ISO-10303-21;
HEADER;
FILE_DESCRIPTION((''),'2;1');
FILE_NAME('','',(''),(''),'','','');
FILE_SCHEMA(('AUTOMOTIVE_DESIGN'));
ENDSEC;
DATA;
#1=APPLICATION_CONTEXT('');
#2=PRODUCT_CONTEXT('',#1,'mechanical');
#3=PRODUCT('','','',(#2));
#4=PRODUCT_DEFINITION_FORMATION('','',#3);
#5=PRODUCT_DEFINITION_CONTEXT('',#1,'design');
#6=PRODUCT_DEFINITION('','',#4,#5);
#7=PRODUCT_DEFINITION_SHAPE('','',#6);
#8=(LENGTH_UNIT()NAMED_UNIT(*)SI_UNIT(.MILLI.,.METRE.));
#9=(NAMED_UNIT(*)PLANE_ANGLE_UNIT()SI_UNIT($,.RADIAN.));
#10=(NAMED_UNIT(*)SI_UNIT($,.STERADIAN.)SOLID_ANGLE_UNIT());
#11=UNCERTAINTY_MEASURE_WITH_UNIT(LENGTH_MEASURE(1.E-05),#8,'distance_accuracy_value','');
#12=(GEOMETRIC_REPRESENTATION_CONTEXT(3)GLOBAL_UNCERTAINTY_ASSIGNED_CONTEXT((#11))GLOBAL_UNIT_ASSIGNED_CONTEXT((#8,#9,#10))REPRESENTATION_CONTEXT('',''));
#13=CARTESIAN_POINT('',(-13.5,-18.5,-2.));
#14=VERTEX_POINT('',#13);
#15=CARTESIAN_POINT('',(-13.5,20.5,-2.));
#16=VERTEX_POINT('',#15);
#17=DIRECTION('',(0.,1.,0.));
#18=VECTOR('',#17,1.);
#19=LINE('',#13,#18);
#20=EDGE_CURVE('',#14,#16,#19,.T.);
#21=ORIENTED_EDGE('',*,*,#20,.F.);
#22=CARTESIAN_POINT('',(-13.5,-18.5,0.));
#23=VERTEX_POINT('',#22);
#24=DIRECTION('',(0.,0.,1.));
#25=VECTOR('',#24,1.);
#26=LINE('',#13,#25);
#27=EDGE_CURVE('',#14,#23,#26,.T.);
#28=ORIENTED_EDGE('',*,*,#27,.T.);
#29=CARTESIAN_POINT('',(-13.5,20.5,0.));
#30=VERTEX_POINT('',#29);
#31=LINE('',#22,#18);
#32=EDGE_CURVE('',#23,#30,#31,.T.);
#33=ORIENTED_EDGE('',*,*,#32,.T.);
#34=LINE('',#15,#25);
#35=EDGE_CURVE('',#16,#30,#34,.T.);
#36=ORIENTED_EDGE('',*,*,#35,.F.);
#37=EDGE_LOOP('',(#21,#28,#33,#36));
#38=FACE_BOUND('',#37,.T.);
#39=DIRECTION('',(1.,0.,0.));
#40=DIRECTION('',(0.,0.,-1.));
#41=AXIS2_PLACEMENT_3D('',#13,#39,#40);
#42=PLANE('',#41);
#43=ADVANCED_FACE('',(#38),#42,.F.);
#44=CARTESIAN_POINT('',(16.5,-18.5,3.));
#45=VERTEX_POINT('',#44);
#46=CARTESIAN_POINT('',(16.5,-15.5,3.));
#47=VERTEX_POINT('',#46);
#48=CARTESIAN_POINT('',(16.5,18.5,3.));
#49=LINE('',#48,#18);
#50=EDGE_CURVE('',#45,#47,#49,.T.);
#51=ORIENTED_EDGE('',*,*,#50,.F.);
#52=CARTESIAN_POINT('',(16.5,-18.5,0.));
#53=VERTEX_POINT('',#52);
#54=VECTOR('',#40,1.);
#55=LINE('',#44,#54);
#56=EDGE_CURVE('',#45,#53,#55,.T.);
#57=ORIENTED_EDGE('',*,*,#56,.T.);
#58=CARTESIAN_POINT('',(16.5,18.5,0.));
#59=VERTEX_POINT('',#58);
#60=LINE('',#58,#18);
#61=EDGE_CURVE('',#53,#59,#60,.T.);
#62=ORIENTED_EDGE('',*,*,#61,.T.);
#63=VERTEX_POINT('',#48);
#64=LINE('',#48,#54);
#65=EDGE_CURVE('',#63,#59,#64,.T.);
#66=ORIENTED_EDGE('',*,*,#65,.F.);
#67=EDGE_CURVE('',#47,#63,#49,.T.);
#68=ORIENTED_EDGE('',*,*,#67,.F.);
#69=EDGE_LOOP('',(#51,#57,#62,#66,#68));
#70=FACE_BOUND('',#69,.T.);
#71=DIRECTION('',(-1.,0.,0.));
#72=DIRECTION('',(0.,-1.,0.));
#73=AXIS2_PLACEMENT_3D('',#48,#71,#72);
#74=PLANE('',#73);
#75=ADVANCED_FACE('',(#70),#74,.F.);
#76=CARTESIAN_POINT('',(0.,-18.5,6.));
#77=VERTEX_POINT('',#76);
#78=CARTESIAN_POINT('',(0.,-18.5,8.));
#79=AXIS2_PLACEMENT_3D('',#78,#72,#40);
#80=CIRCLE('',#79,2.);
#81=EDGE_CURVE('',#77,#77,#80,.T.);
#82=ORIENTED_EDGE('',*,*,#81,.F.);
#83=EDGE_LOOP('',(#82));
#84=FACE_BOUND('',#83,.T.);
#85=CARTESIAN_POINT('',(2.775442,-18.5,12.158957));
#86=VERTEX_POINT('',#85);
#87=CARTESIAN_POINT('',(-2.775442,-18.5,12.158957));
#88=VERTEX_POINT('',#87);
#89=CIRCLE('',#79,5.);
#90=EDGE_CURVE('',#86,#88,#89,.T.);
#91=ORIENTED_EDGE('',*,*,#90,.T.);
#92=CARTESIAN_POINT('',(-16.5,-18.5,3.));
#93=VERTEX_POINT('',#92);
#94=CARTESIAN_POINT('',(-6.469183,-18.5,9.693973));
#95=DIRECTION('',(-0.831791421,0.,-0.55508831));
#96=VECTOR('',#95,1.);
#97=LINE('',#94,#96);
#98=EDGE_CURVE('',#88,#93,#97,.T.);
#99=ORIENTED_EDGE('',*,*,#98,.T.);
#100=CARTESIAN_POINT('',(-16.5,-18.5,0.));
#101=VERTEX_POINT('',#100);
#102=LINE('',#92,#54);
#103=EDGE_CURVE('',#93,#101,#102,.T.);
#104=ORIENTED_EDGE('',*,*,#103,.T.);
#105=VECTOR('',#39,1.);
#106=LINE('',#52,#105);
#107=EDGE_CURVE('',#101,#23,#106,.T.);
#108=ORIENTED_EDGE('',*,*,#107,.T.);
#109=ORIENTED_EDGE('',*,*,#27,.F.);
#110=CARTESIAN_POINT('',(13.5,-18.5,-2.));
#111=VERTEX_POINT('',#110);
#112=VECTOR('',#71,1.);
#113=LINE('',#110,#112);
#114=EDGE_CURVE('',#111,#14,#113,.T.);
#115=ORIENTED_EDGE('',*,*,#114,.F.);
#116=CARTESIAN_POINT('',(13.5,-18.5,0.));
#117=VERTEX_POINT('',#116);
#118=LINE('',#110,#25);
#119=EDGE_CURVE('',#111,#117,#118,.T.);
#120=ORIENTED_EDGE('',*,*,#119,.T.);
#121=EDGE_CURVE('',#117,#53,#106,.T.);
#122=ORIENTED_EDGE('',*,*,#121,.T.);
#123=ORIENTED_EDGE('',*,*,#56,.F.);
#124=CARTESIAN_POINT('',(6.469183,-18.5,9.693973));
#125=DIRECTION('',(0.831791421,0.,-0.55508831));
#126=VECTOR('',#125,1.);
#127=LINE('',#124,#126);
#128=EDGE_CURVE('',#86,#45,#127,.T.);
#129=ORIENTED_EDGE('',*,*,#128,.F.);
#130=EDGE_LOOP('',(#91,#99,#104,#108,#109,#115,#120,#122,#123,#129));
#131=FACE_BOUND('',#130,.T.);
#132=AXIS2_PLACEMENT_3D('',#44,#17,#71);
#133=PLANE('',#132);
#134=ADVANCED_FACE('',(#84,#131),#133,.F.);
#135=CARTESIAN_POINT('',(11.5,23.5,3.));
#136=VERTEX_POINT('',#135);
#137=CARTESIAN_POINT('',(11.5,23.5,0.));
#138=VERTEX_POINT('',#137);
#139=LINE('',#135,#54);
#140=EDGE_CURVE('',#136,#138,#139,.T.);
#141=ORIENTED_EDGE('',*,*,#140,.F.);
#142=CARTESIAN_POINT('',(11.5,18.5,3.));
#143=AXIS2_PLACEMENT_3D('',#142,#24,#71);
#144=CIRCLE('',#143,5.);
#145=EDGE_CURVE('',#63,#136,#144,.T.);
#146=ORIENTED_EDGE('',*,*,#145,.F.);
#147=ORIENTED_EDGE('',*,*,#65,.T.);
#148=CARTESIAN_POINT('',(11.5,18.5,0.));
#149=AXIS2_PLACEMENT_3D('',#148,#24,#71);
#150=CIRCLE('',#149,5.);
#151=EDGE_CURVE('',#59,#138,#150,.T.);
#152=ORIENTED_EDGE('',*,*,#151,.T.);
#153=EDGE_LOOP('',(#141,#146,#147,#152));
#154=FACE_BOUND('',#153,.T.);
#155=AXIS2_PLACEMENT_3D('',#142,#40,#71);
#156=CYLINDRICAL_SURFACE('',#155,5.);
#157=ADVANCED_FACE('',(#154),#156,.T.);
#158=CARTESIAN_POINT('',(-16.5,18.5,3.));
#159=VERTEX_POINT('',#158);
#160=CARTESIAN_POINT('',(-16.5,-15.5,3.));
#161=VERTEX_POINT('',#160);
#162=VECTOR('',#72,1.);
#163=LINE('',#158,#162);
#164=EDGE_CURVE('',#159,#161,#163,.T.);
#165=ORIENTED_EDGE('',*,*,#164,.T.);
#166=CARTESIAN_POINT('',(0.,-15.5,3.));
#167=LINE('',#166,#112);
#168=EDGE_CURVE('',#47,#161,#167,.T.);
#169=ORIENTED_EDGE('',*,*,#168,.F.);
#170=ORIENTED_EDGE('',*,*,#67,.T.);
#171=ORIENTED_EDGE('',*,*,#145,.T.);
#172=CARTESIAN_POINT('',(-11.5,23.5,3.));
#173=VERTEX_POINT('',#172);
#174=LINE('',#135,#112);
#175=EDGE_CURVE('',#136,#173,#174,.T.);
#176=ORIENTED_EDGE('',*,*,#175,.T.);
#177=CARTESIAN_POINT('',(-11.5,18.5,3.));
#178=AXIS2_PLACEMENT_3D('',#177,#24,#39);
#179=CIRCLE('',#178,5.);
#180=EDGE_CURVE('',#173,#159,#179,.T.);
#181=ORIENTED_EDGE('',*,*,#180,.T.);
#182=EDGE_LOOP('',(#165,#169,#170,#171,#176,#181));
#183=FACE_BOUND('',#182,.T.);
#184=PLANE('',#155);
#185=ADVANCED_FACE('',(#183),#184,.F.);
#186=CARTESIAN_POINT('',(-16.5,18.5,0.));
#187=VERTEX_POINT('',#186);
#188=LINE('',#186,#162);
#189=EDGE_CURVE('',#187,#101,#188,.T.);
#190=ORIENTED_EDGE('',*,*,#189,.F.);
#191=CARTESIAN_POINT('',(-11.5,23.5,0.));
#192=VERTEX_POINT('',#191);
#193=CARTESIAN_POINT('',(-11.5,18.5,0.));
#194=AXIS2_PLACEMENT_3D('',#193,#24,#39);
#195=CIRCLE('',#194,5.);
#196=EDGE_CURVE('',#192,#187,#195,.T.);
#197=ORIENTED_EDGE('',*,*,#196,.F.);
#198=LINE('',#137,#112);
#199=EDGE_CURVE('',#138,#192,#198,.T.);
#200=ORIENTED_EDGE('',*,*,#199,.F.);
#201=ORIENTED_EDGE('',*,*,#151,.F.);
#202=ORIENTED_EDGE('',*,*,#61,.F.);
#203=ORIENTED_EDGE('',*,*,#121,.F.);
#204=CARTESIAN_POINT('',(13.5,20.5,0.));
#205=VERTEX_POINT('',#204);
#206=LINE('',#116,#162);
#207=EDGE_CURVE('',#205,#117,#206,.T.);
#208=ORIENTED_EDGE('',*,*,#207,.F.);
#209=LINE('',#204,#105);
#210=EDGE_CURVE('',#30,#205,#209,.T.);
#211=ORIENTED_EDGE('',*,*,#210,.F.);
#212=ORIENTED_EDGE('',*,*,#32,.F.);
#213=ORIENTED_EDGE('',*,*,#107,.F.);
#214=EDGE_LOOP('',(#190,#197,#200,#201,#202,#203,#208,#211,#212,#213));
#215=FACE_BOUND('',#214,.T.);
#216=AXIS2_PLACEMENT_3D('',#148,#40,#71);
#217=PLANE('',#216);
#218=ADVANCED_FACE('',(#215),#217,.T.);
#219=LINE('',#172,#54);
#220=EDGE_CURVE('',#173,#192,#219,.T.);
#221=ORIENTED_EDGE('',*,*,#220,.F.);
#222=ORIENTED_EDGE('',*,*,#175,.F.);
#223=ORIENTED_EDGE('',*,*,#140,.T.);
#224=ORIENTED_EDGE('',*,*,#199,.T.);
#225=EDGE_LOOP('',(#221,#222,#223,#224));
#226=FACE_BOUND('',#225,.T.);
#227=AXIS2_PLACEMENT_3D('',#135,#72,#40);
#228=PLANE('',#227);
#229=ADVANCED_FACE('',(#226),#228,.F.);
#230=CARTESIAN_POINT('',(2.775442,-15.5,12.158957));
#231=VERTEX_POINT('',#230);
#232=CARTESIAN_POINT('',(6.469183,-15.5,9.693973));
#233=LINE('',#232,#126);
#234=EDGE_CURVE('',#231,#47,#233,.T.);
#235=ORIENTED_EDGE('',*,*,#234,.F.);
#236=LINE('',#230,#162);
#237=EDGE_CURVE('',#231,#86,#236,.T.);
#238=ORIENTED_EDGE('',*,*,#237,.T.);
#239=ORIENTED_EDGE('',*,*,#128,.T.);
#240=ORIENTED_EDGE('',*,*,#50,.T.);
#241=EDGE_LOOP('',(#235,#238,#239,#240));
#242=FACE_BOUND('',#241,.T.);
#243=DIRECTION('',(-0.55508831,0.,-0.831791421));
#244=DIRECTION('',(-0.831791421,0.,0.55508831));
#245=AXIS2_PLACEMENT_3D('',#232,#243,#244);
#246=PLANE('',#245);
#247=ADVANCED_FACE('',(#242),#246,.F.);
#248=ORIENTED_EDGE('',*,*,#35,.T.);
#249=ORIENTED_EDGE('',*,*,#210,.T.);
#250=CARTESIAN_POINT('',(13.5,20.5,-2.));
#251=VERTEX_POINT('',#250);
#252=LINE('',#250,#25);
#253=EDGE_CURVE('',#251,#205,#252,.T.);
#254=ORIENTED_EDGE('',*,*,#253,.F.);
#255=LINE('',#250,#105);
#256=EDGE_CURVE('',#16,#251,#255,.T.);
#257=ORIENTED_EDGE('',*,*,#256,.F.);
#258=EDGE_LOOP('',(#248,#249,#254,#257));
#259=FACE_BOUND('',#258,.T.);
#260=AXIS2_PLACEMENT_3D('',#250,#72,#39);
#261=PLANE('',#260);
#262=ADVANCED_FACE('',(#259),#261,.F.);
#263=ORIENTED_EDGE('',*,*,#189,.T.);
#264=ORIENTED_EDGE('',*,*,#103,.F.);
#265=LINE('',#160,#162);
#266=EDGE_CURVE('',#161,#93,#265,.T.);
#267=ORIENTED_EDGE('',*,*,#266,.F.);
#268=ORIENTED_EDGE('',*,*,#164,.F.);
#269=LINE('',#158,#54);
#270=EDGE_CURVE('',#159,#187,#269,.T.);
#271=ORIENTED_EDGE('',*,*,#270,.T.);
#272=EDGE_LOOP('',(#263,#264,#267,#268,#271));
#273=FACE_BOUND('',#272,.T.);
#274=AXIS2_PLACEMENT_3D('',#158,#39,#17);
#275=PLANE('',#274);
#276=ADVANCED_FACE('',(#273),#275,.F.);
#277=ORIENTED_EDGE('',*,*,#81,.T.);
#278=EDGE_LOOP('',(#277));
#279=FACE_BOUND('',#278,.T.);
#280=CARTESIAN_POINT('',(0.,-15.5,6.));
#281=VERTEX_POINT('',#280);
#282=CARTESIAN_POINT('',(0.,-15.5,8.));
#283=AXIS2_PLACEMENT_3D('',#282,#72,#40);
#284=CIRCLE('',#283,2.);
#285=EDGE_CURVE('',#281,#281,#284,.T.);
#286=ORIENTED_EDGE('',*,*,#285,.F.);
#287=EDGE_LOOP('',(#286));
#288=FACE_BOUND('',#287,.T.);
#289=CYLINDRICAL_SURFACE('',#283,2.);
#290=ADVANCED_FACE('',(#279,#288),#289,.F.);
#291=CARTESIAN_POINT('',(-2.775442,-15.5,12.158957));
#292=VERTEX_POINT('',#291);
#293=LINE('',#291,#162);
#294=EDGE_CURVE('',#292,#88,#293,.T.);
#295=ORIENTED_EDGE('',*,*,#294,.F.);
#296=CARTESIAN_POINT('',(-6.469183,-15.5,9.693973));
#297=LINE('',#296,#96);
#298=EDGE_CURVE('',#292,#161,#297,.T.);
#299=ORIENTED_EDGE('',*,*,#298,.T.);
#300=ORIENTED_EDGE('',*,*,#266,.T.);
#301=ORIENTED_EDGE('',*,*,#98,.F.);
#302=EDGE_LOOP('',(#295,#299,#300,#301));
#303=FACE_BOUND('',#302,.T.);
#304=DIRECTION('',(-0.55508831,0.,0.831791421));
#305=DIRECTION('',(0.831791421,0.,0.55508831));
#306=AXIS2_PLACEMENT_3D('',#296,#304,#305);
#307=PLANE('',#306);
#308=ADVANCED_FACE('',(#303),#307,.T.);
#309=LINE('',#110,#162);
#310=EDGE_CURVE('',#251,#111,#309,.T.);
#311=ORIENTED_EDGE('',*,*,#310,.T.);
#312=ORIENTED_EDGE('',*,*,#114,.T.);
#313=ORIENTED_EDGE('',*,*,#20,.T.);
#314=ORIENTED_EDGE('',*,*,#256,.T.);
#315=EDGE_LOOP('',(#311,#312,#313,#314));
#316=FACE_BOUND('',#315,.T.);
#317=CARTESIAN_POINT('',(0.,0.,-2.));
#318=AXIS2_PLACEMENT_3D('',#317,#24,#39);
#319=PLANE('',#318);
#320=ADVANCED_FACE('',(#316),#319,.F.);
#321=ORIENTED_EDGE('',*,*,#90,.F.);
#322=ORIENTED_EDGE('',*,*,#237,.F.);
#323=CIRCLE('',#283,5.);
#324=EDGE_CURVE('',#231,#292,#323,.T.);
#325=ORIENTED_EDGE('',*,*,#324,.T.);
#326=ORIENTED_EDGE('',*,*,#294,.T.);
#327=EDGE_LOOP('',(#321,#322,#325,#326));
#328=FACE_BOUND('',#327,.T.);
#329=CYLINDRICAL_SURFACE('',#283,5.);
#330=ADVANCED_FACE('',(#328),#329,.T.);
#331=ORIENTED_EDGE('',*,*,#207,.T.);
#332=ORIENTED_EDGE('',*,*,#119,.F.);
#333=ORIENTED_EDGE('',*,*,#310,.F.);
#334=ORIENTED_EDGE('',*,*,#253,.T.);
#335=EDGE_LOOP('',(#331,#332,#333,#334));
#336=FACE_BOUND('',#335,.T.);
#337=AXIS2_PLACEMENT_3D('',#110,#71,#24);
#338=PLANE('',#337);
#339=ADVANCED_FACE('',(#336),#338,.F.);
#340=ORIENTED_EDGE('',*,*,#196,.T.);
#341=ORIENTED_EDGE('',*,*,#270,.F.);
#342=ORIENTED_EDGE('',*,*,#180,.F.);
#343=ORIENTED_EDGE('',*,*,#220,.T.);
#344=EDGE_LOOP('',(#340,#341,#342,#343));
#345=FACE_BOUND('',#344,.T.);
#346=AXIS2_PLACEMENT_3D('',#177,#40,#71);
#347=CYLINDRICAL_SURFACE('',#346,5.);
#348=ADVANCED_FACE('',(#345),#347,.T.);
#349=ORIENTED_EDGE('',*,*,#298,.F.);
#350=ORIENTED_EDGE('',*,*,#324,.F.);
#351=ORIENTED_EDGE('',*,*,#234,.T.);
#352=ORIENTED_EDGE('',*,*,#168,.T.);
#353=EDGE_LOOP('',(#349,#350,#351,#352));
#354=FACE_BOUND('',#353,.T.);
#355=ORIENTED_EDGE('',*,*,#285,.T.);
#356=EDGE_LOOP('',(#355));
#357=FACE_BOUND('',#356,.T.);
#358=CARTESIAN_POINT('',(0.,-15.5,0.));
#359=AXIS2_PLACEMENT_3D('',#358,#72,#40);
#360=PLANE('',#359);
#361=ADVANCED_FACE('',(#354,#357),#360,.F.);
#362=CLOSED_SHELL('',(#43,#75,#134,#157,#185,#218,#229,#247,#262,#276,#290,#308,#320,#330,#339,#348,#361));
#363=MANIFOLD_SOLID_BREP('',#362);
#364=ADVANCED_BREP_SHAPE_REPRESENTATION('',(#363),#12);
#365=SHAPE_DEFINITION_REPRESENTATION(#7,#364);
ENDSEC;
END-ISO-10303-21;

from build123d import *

# Parameters (mm, degrees)
EXTRUDE_1_DEPTH = 3
SKETCH_2_R      = 2
EXTRUDE_2_DEPTH = 3
SKETCH_3_W      = 27
SKETCH_3_H      = 39
EXTRUDE_3_DEPTH = 2


with BuildPart() as part:
    # 草图1 → 凸台-拉伸1 (new body)
    with BuildSketch(Plane.XY):
        with BuildLine():
            Line((11.5, 23.5), (-11.5, 23.5))
            ThreePointArc((-11.5, 23.5), (-15.035533906, 22.035533906), (-16.5, 18.5))
            Line((-16.5, 18.5), (-16.5, -18.5))
            Line((-16.5, -18.5), (16.5, -18.5))
            Line((16.5, -18.5), (16.5, 18.5))
            ThreePointArc((16.5, 18.5), (15.035533906, 22.035533906), (11.5, 23.5))
        make_face()
    extrude(amount=EXTRUDE_1_DEPTH)

    # 草图2 → 凸台-拉伸2 (add)
    with BuildSketch(Plane.XZ.offset(18.5)):
        with BuildLine():
            ThreePointArc((-1.2e-08, 3), (-4.785122024, 6.549963029), (-2.775441548, 12.158957107))
            Line((-2.775441548, 12.158957107), (-16.5, 3))
            Line((-16.5, 3), (-1.2e-08, 3))
        make_face()
        with BuildLine():
            Line((16.5, 3), (2.775441548, 12.158957107))
            ThreePointArc((2.775441548, 12.158957107), (4.40892321, 10.358261252), (5, 8))
            ThreePointArc((5, 8), (3.535533902, 4.46446609), (-1.2e-08, 3))
            Line((-1.2e-08, 3), (16.5, 3))
        make_face()
        with BuildLine():
            ThreePointArc((2.775441548, 12.158957107), (0, 13), (-2.775441548, 12.158957107))
            ThreePointArc((-2.775441548, 12.158957107), (-4.785122024, 6.549963029), (-1.2e-08, 3))
            ThreePointArc((-1.2e-08, 3), (3.535533902, 4.46446609), (5, 8))
            ThreePointArc((5, 8), (4.40892321, 10.358261252), (2.775441548, 12.158957107))
        make_face()
        with Locations(Location((0, 8, 0), (0, 0, 270))):
            Circle(SKETCH_2_R, mode=Mode.SUBTRACT)
    extrude(amount=-EXTRUDE_2_DEPTH)

    # 草图3 → 凸台-拉伸3 (add)
    with BuildSketch(Plane(origin=(0, 0, 0), x_dir=(-1, 0, 0), z_dir=(0, 0, -1))):
        with Locations((0, 1)):
            Rectangle(SKETCH_3_W, SKETCH_3_H)
    extrude(amount=EXTRUDE_3_DEPTH)


solid = part.part
